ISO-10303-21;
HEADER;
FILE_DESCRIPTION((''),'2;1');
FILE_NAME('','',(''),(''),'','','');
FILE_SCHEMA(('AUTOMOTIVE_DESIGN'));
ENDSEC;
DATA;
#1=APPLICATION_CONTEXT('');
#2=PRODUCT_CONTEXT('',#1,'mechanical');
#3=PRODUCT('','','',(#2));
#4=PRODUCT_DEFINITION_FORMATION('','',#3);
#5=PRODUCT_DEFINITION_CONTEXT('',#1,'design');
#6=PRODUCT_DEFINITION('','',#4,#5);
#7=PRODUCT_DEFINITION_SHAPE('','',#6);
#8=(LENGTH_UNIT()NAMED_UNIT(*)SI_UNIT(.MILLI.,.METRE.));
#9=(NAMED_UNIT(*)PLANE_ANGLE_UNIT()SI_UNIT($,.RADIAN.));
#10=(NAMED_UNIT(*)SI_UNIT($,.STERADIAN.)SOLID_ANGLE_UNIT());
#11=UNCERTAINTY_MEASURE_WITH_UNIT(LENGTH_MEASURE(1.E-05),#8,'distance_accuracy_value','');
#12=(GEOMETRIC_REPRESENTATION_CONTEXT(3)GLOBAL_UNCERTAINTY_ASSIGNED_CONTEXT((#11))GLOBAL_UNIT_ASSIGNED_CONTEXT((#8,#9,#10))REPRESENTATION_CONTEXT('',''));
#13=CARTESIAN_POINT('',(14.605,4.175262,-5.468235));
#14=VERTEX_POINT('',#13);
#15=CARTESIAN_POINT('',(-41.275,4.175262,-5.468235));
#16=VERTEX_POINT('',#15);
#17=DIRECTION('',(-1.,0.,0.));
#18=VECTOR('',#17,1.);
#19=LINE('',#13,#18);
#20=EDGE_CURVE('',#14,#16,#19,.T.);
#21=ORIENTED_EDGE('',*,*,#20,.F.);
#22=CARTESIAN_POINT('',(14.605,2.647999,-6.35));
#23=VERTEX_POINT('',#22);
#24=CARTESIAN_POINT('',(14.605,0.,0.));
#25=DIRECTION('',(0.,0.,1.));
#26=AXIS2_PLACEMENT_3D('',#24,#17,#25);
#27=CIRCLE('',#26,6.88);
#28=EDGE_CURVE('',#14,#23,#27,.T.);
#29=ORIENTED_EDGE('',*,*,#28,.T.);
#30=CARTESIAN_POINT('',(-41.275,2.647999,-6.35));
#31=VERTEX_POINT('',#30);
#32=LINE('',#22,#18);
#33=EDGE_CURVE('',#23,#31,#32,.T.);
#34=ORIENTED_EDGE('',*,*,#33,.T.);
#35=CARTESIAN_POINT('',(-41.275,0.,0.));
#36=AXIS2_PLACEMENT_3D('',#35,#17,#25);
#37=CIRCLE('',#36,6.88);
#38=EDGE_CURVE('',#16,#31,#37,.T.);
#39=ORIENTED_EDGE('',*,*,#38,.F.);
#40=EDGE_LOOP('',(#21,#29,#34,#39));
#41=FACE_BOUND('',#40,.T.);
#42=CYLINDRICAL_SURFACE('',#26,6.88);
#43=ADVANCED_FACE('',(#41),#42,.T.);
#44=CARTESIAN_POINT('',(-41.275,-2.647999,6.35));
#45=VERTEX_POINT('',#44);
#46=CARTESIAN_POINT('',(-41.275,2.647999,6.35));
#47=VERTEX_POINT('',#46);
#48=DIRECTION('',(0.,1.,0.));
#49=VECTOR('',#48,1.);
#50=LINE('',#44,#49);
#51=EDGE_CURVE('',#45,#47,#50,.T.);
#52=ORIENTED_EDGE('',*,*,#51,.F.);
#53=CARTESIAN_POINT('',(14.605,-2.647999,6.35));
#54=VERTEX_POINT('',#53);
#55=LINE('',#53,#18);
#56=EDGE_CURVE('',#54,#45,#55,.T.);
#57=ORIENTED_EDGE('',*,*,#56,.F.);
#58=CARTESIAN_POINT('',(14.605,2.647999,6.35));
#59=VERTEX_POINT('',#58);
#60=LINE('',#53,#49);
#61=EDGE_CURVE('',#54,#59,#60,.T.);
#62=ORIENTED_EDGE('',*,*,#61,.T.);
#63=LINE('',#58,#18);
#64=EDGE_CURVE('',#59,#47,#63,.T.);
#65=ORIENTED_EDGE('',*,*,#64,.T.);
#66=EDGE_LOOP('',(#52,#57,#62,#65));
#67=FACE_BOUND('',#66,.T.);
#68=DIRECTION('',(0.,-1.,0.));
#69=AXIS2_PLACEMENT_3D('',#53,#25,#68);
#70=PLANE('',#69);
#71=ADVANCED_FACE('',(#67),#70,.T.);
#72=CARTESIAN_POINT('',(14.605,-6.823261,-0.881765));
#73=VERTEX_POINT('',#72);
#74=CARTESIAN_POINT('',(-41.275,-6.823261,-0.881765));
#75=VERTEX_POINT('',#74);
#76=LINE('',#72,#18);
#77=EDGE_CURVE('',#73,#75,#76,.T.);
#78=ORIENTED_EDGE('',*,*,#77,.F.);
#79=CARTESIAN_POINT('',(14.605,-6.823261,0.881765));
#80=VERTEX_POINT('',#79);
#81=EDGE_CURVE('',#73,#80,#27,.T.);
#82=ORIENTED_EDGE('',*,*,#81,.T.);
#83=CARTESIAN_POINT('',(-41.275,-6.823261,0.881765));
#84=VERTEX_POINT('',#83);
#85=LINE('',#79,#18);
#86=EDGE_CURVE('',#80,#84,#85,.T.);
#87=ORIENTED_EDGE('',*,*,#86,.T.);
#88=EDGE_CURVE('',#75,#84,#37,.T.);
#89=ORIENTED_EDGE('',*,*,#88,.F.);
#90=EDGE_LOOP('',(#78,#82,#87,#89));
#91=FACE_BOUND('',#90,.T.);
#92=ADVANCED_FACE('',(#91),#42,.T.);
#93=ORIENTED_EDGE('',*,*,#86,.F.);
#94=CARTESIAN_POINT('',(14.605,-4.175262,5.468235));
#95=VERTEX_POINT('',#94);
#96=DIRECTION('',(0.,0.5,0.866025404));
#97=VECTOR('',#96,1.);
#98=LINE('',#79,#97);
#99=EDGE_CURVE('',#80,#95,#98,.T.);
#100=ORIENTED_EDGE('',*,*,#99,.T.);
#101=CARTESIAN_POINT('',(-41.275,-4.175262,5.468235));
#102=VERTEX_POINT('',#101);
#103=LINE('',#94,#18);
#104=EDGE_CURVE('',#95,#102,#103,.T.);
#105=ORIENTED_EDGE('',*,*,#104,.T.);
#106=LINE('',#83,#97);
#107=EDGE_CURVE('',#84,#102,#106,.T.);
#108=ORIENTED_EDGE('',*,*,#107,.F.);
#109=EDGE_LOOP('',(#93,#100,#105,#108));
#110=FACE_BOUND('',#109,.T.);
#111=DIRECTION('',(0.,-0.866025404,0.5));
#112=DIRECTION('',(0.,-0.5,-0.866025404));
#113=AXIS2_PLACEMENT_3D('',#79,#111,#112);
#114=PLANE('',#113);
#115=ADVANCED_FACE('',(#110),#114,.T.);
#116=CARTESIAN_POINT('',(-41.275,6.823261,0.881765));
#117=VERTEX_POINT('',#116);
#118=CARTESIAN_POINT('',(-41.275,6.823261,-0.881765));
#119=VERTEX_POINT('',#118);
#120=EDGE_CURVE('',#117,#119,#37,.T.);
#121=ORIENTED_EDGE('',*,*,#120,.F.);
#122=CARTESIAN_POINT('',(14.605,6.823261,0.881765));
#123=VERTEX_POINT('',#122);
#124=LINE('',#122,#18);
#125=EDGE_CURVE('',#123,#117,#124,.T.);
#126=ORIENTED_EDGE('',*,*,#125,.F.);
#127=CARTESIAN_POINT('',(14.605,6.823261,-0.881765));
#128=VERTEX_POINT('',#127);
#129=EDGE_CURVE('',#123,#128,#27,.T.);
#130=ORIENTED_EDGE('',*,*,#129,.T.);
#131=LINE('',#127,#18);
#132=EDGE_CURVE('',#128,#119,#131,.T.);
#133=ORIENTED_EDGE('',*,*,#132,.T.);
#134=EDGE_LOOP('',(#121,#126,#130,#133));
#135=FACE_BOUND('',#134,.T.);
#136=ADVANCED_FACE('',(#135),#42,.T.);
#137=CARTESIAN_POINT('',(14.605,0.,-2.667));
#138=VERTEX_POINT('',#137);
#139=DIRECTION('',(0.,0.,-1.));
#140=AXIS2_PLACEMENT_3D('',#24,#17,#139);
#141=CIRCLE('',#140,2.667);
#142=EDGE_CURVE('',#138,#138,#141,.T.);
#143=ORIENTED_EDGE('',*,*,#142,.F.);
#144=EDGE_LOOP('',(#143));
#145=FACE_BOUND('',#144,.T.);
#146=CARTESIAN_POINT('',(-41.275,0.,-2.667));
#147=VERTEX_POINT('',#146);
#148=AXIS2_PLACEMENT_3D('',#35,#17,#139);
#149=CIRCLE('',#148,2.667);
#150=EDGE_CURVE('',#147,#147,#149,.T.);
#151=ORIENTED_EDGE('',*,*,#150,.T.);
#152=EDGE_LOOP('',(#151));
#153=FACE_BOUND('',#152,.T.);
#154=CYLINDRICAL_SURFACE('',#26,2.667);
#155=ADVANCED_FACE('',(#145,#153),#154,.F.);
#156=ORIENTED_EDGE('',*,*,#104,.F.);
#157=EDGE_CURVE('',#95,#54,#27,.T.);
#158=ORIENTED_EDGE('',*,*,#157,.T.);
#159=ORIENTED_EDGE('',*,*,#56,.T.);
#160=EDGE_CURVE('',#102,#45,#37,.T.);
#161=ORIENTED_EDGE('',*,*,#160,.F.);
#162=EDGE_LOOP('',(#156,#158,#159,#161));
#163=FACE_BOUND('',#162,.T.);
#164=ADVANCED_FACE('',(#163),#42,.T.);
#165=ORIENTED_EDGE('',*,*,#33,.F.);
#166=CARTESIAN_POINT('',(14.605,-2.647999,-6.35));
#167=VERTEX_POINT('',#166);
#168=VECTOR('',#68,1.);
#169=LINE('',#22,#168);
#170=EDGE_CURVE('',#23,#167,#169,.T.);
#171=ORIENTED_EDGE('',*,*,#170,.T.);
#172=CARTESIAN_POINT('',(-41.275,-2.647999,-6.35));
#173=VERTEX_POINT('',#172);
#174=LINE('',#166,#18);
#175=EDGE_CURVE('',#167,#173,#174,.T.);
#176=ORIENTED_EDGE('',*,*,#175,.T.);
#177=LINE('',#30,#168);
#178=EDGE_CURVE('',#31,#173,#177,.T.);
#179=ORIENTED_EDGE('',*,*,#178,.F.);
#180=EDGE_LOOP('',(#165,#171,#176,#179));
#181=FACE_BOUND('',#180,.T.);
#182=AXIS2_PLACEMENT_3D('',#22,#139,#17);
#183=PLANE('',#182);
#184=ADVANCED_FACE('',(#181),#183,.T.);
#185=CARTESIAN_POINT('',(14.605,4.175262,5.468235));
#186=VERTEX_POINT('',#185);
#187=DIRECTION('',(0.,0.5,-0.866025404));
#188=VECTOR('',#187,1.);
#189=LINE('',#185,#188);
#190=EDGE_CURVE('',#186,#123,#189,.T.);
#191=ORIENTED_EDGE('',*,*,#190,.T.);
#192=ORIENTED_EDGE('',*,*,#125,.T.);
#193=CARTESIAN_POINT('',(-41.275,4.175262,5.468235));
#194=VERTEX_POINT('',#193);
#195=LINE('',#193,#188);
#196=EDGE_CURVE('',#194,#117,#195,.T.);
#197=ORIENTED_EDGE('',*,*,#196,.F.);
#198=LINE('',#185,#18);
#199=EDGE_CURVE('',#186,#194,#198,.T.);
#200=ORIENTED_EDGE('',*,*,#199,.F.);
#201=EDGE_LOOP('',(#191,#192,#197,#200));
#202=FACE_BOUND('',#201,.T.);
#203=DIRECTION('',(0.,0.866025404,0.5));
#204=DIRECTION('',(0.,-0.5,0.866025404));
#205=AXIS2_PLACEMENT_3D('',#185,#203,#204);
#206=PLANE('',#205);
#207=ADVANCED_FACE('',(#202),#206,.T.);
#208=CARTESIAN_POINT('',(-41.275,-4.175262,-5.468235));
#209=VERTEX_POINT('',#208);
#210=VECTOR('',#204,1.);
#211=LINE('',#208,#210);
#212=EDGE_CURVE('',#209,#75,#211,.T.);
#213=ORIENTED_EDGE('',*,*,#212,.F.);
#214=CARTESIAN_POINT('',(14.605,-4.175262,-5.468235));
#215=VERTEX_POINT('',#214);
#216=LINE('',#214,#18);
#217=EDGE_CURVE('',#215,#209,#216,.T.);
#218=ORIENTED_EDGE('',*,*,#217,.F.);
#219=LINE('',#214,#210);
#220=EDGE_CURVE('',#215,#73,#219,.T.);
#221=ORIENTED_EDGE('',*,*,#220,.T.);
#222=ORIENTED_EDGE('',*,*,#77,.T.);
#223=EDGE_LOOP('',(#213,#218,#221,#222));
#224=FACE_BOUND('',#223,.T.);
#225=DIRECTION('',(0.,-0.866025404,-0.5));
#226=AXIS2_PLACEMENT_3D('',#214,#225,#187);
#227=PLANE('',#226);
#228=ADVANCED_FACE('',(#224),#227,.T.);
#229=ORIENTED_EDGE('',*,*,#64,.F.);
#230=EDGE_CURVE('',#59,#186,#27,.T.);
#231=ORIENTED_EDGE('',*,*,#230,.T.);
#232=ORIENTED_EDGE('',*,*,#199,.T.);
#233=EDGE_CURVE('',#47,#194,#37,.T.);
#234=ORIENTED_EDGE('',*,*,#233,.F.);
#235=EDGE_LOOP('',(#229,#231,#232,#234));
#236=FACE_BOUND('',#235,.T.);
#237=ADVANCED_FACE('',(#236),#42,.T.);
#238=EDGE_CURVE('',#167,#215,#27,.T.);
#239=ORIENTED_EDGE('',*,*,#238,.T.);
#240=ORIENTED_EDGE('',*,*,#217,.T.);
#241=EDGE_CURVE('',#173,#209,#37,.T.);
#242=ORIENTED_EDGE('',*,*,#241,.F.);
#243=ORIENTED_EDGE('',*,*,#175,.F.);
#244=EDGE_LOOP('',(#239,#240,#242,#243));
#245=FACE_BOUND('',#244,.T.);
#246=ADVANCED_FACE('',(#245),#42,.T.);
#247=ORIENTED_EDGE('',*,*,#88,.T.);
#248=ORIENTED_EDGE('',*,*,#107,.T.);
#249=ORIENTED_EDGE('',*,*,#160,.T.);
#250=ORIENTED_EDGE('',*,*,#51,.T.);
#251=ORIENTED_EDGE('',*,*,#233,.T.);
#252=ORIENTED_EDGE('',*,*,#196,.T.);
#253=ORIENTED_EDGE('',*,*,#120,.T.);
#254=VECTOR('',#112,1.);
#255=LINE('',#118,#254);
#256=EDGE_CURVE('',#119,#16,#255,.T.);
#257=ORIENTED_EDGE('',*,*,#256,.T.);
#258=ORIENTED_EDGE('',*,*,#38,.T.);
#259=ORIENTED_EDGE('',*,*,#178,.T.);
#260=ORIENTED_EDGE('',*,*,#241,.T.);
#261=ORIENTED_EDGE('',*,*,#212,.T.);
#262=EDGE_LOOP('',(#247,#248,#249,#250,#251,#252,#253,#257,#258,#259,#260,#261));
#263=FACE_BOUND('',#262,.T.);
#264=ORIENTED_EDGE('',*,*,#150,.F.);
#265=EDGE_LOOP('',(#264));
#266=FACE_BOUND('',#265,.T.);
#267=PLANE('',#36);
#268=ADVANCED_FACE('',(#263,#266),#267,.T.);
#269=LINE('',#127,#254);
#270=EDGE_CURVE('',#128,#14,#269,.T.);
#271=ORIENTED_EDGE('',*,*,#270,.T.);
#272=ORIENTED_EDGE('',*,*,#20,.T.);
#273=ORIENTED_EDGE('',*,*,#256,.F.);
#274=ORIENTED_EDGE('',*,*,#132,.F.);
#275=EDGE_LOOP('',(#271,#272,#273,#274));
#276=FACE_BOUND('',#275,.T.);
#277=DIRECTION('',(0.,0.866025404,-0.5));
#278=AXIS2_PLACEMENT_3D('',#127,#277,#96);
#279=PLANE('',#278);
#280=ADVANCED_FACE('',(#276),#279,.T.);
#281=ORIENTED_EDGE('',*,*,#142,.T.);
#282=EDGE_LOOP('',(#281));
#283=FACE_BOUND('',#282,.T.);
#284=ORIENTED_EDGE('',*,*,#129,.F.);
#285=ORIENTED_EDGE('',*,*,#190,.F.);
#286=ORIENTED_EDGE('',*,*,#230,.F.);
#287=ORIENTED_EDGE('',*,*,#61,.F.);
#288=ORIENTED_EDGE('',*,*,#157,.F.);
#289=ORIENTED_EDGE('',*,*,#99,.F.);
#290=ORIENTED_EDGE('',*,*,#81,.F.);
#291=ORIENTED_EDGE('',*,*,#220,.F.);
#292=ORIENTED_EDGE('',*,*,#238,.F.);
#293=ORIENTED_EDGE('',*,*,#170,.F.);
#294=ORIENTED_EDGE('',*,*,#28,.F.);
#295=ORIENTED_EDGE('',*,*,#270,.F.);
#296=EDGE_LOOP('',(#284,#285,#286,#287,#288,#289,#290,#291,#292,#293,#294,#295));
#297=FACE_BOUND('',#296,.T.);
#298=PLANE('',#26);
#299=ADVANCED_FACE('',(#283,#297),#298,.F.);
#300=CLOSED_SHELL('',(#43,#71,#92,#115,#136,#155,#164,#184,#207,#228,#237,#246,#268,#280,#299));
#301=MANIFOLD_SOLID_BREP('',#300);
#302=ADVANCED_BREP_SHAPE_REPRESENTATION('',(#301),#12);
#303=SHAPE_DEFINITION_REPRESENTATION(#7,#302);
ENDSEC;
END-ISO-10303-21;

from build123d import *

# Parameters (mm, degrees)
SKETCH1_R           = 2.667
BOSS_EXTRUDE1_DEPTH = 55.88


with BuildPart() as part:
    # Sketch1 → Boss-Extrude1 (new body)
    with BuildSketch(Plane(origin=(-41.275, 0, 0), x_dir=(0, -1, 0), z_dir=(-1, 0, 0))):
        with BuildLine():
            Line((4.175261692, -5.468234615), (6.823260936, -0.881765385))
            ThreePointArc((6.823260936, -0.881765385), (6.88, 0), (6.823260936, 0.881765385))
            Line((6.823260936, 0.881765385), (4.175261692, 5.468234615))
            ThreePointArc((4.175261692, 5.468234615), (3.44, 5.958254778), (2.647999245, 6.35))
            Line((2.647999245, 6.35), (-2.647999245, 6.35))
            ThreePointArc((-2.647999245, 6.35), (-3.44, 5.958254778), (-4.175261692, 5.468234615))
            Line((-4.175261692, 5.468234615), (-6.823260936, 0.881765385))
            ThreePointArc((-6.823260936, 0.881765385), (-6.88, 0), (-6.823260936, -0.881765385))
            Line((-6.823260936, -0.881765385), (-4.175261692, -5.468234615))
            ThreePointArc((-4.175261692, -5.468234615), (-3.44, -5.958254778), (-2.647999245, -6.35))
            Line((-2.647999245, -6.35), (2.647999245, -6.35))
            ThreePointArc((2.647999245, -6.35), (3.44, -5.958254778), (4.175261692, -5.468234615))
        make_face()
        with Locations(Location((0, 0, 0), (0, 0, 270))):
            Circle(SKETCH1_R, mode=Mode.SUBTRACT)
    extrude(amount=-BOSS_EXTRUDE1_DEPTH)


solid = part.part
